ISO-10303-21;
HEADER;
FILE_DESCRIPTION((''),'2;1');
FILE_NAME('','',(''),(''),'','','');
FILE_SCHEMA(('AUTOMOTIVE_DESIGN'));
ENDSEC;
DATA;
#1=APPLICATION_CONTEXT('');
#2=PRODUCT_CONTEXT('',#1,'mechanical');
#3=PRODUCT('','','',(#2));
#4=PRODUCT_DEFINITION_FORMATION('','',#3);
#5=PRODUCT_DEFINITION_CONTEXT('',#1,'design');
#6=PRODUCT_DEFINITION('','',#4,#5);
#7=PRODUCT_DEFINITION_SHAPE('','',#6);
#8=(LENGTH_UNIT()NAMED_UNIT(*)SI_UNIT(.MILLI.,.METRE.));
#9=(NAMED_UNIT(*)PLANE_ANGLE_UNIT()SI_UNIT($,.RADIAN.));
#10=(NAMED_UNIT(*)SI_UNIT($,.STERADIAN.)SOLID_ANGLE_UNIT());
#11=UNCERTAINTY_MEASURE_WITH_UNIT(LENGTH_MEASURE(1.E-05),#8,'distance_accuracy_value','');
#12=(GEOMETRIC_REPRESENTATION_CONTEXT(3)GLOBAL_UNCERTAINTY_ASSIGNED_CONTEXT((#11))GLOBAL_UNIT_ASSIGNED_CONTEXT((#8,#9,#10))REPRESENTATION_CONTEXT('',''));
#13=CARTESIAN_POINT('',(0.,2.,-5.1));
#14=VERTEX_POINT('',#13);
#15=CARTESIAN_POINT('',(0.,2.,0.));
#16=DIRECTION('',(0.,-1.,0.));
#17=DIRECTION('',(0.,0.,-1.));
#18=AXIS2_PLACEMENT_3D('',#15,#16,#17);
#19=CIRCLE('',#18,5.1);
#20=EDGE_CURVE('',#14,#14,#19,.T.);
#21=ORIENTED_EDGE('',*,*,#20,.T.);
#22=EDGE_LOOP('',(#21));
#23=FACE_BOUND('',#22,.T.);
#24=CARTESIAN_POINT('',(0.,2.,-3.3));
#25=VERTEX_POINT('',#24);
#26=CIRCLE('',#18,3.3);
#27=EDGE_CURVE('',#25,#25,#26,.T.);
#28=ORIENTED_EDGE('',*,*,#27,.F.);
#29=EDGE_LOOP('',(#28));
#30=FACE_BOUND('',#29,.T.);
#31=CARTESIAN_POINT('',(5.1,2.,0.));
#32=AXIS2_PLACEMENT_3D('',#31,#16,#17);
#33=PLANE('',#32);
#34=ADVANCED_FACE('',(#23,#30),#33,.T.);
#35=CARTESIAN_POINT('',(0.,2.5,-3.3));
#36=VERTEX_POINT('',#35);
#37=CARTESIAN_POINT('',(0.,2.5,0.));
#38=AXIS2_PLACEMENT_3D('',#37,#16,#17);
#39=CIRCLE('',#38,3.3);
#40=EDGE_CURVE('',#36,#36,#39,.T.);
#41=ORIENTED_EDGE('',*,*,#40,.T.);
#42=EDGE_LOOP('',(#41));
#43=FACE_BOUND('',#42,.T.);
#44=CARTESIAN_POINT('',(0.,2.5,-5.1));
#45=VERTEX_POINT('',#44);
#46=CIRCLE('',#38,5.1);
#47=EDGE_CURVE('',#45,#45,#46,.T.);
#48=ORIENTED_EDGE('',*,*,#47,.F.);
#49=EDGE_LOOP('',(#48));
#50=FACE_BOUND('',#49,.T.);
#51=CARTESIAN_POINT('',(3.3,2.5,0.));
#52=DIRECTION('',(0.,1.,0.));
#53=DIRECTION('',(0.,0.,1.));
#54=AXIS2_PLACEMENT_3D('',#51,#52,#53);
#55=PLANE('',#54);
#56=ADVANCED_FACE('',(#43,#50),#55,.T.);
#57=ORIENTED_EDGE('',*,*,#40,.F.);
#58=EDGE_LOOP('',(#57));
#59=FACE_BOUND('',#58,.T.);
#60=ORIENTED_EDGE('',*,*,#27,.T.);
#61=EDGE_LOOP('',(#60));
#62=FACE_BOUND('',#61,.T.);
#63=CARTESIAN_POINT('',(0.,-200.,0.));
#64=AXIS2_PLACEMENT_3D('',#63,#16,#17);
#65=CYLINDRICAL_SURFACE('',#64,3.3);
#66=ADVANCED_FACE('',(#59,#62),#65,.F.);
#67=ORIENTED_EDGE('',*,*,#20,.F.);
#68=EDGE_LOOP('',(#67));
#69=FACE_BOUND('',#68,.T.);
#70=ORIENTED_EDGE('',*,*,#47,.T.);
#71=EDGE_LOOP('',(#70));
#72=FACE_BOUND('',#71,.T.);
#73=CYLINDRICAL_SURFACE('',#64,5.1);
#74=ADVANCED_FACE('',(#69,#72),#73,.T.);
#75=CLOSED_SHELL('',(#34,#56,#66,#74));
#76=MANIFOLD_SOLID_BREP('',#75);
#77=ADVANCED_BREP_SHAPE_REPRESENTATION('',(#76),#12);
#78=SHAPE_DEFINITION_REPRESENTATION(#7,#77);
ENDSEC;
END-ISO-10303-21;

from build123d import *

# Parameters (mm, degrees)
SKETCH1_W = 1.8
SKETCH1_H = 0.5


with BuildPart() as part:
    # Sketch1 → Revolve1 (revolve)
    with BuildSketch(Plane.XY, mode=Mode.PRIVATE) as revolve1_sk:
        with Locations((4.2, 2.25)):
            Rectangle(SKETCH1_W, SKETCH1_H)
    revolve(revolve1_sk.sketch.rotate(Axis((0, -200, 0), (0, 1, 0)), 90), axis=Axis((0, -200, 0), (0, 1, 0)))


solid = part.part
